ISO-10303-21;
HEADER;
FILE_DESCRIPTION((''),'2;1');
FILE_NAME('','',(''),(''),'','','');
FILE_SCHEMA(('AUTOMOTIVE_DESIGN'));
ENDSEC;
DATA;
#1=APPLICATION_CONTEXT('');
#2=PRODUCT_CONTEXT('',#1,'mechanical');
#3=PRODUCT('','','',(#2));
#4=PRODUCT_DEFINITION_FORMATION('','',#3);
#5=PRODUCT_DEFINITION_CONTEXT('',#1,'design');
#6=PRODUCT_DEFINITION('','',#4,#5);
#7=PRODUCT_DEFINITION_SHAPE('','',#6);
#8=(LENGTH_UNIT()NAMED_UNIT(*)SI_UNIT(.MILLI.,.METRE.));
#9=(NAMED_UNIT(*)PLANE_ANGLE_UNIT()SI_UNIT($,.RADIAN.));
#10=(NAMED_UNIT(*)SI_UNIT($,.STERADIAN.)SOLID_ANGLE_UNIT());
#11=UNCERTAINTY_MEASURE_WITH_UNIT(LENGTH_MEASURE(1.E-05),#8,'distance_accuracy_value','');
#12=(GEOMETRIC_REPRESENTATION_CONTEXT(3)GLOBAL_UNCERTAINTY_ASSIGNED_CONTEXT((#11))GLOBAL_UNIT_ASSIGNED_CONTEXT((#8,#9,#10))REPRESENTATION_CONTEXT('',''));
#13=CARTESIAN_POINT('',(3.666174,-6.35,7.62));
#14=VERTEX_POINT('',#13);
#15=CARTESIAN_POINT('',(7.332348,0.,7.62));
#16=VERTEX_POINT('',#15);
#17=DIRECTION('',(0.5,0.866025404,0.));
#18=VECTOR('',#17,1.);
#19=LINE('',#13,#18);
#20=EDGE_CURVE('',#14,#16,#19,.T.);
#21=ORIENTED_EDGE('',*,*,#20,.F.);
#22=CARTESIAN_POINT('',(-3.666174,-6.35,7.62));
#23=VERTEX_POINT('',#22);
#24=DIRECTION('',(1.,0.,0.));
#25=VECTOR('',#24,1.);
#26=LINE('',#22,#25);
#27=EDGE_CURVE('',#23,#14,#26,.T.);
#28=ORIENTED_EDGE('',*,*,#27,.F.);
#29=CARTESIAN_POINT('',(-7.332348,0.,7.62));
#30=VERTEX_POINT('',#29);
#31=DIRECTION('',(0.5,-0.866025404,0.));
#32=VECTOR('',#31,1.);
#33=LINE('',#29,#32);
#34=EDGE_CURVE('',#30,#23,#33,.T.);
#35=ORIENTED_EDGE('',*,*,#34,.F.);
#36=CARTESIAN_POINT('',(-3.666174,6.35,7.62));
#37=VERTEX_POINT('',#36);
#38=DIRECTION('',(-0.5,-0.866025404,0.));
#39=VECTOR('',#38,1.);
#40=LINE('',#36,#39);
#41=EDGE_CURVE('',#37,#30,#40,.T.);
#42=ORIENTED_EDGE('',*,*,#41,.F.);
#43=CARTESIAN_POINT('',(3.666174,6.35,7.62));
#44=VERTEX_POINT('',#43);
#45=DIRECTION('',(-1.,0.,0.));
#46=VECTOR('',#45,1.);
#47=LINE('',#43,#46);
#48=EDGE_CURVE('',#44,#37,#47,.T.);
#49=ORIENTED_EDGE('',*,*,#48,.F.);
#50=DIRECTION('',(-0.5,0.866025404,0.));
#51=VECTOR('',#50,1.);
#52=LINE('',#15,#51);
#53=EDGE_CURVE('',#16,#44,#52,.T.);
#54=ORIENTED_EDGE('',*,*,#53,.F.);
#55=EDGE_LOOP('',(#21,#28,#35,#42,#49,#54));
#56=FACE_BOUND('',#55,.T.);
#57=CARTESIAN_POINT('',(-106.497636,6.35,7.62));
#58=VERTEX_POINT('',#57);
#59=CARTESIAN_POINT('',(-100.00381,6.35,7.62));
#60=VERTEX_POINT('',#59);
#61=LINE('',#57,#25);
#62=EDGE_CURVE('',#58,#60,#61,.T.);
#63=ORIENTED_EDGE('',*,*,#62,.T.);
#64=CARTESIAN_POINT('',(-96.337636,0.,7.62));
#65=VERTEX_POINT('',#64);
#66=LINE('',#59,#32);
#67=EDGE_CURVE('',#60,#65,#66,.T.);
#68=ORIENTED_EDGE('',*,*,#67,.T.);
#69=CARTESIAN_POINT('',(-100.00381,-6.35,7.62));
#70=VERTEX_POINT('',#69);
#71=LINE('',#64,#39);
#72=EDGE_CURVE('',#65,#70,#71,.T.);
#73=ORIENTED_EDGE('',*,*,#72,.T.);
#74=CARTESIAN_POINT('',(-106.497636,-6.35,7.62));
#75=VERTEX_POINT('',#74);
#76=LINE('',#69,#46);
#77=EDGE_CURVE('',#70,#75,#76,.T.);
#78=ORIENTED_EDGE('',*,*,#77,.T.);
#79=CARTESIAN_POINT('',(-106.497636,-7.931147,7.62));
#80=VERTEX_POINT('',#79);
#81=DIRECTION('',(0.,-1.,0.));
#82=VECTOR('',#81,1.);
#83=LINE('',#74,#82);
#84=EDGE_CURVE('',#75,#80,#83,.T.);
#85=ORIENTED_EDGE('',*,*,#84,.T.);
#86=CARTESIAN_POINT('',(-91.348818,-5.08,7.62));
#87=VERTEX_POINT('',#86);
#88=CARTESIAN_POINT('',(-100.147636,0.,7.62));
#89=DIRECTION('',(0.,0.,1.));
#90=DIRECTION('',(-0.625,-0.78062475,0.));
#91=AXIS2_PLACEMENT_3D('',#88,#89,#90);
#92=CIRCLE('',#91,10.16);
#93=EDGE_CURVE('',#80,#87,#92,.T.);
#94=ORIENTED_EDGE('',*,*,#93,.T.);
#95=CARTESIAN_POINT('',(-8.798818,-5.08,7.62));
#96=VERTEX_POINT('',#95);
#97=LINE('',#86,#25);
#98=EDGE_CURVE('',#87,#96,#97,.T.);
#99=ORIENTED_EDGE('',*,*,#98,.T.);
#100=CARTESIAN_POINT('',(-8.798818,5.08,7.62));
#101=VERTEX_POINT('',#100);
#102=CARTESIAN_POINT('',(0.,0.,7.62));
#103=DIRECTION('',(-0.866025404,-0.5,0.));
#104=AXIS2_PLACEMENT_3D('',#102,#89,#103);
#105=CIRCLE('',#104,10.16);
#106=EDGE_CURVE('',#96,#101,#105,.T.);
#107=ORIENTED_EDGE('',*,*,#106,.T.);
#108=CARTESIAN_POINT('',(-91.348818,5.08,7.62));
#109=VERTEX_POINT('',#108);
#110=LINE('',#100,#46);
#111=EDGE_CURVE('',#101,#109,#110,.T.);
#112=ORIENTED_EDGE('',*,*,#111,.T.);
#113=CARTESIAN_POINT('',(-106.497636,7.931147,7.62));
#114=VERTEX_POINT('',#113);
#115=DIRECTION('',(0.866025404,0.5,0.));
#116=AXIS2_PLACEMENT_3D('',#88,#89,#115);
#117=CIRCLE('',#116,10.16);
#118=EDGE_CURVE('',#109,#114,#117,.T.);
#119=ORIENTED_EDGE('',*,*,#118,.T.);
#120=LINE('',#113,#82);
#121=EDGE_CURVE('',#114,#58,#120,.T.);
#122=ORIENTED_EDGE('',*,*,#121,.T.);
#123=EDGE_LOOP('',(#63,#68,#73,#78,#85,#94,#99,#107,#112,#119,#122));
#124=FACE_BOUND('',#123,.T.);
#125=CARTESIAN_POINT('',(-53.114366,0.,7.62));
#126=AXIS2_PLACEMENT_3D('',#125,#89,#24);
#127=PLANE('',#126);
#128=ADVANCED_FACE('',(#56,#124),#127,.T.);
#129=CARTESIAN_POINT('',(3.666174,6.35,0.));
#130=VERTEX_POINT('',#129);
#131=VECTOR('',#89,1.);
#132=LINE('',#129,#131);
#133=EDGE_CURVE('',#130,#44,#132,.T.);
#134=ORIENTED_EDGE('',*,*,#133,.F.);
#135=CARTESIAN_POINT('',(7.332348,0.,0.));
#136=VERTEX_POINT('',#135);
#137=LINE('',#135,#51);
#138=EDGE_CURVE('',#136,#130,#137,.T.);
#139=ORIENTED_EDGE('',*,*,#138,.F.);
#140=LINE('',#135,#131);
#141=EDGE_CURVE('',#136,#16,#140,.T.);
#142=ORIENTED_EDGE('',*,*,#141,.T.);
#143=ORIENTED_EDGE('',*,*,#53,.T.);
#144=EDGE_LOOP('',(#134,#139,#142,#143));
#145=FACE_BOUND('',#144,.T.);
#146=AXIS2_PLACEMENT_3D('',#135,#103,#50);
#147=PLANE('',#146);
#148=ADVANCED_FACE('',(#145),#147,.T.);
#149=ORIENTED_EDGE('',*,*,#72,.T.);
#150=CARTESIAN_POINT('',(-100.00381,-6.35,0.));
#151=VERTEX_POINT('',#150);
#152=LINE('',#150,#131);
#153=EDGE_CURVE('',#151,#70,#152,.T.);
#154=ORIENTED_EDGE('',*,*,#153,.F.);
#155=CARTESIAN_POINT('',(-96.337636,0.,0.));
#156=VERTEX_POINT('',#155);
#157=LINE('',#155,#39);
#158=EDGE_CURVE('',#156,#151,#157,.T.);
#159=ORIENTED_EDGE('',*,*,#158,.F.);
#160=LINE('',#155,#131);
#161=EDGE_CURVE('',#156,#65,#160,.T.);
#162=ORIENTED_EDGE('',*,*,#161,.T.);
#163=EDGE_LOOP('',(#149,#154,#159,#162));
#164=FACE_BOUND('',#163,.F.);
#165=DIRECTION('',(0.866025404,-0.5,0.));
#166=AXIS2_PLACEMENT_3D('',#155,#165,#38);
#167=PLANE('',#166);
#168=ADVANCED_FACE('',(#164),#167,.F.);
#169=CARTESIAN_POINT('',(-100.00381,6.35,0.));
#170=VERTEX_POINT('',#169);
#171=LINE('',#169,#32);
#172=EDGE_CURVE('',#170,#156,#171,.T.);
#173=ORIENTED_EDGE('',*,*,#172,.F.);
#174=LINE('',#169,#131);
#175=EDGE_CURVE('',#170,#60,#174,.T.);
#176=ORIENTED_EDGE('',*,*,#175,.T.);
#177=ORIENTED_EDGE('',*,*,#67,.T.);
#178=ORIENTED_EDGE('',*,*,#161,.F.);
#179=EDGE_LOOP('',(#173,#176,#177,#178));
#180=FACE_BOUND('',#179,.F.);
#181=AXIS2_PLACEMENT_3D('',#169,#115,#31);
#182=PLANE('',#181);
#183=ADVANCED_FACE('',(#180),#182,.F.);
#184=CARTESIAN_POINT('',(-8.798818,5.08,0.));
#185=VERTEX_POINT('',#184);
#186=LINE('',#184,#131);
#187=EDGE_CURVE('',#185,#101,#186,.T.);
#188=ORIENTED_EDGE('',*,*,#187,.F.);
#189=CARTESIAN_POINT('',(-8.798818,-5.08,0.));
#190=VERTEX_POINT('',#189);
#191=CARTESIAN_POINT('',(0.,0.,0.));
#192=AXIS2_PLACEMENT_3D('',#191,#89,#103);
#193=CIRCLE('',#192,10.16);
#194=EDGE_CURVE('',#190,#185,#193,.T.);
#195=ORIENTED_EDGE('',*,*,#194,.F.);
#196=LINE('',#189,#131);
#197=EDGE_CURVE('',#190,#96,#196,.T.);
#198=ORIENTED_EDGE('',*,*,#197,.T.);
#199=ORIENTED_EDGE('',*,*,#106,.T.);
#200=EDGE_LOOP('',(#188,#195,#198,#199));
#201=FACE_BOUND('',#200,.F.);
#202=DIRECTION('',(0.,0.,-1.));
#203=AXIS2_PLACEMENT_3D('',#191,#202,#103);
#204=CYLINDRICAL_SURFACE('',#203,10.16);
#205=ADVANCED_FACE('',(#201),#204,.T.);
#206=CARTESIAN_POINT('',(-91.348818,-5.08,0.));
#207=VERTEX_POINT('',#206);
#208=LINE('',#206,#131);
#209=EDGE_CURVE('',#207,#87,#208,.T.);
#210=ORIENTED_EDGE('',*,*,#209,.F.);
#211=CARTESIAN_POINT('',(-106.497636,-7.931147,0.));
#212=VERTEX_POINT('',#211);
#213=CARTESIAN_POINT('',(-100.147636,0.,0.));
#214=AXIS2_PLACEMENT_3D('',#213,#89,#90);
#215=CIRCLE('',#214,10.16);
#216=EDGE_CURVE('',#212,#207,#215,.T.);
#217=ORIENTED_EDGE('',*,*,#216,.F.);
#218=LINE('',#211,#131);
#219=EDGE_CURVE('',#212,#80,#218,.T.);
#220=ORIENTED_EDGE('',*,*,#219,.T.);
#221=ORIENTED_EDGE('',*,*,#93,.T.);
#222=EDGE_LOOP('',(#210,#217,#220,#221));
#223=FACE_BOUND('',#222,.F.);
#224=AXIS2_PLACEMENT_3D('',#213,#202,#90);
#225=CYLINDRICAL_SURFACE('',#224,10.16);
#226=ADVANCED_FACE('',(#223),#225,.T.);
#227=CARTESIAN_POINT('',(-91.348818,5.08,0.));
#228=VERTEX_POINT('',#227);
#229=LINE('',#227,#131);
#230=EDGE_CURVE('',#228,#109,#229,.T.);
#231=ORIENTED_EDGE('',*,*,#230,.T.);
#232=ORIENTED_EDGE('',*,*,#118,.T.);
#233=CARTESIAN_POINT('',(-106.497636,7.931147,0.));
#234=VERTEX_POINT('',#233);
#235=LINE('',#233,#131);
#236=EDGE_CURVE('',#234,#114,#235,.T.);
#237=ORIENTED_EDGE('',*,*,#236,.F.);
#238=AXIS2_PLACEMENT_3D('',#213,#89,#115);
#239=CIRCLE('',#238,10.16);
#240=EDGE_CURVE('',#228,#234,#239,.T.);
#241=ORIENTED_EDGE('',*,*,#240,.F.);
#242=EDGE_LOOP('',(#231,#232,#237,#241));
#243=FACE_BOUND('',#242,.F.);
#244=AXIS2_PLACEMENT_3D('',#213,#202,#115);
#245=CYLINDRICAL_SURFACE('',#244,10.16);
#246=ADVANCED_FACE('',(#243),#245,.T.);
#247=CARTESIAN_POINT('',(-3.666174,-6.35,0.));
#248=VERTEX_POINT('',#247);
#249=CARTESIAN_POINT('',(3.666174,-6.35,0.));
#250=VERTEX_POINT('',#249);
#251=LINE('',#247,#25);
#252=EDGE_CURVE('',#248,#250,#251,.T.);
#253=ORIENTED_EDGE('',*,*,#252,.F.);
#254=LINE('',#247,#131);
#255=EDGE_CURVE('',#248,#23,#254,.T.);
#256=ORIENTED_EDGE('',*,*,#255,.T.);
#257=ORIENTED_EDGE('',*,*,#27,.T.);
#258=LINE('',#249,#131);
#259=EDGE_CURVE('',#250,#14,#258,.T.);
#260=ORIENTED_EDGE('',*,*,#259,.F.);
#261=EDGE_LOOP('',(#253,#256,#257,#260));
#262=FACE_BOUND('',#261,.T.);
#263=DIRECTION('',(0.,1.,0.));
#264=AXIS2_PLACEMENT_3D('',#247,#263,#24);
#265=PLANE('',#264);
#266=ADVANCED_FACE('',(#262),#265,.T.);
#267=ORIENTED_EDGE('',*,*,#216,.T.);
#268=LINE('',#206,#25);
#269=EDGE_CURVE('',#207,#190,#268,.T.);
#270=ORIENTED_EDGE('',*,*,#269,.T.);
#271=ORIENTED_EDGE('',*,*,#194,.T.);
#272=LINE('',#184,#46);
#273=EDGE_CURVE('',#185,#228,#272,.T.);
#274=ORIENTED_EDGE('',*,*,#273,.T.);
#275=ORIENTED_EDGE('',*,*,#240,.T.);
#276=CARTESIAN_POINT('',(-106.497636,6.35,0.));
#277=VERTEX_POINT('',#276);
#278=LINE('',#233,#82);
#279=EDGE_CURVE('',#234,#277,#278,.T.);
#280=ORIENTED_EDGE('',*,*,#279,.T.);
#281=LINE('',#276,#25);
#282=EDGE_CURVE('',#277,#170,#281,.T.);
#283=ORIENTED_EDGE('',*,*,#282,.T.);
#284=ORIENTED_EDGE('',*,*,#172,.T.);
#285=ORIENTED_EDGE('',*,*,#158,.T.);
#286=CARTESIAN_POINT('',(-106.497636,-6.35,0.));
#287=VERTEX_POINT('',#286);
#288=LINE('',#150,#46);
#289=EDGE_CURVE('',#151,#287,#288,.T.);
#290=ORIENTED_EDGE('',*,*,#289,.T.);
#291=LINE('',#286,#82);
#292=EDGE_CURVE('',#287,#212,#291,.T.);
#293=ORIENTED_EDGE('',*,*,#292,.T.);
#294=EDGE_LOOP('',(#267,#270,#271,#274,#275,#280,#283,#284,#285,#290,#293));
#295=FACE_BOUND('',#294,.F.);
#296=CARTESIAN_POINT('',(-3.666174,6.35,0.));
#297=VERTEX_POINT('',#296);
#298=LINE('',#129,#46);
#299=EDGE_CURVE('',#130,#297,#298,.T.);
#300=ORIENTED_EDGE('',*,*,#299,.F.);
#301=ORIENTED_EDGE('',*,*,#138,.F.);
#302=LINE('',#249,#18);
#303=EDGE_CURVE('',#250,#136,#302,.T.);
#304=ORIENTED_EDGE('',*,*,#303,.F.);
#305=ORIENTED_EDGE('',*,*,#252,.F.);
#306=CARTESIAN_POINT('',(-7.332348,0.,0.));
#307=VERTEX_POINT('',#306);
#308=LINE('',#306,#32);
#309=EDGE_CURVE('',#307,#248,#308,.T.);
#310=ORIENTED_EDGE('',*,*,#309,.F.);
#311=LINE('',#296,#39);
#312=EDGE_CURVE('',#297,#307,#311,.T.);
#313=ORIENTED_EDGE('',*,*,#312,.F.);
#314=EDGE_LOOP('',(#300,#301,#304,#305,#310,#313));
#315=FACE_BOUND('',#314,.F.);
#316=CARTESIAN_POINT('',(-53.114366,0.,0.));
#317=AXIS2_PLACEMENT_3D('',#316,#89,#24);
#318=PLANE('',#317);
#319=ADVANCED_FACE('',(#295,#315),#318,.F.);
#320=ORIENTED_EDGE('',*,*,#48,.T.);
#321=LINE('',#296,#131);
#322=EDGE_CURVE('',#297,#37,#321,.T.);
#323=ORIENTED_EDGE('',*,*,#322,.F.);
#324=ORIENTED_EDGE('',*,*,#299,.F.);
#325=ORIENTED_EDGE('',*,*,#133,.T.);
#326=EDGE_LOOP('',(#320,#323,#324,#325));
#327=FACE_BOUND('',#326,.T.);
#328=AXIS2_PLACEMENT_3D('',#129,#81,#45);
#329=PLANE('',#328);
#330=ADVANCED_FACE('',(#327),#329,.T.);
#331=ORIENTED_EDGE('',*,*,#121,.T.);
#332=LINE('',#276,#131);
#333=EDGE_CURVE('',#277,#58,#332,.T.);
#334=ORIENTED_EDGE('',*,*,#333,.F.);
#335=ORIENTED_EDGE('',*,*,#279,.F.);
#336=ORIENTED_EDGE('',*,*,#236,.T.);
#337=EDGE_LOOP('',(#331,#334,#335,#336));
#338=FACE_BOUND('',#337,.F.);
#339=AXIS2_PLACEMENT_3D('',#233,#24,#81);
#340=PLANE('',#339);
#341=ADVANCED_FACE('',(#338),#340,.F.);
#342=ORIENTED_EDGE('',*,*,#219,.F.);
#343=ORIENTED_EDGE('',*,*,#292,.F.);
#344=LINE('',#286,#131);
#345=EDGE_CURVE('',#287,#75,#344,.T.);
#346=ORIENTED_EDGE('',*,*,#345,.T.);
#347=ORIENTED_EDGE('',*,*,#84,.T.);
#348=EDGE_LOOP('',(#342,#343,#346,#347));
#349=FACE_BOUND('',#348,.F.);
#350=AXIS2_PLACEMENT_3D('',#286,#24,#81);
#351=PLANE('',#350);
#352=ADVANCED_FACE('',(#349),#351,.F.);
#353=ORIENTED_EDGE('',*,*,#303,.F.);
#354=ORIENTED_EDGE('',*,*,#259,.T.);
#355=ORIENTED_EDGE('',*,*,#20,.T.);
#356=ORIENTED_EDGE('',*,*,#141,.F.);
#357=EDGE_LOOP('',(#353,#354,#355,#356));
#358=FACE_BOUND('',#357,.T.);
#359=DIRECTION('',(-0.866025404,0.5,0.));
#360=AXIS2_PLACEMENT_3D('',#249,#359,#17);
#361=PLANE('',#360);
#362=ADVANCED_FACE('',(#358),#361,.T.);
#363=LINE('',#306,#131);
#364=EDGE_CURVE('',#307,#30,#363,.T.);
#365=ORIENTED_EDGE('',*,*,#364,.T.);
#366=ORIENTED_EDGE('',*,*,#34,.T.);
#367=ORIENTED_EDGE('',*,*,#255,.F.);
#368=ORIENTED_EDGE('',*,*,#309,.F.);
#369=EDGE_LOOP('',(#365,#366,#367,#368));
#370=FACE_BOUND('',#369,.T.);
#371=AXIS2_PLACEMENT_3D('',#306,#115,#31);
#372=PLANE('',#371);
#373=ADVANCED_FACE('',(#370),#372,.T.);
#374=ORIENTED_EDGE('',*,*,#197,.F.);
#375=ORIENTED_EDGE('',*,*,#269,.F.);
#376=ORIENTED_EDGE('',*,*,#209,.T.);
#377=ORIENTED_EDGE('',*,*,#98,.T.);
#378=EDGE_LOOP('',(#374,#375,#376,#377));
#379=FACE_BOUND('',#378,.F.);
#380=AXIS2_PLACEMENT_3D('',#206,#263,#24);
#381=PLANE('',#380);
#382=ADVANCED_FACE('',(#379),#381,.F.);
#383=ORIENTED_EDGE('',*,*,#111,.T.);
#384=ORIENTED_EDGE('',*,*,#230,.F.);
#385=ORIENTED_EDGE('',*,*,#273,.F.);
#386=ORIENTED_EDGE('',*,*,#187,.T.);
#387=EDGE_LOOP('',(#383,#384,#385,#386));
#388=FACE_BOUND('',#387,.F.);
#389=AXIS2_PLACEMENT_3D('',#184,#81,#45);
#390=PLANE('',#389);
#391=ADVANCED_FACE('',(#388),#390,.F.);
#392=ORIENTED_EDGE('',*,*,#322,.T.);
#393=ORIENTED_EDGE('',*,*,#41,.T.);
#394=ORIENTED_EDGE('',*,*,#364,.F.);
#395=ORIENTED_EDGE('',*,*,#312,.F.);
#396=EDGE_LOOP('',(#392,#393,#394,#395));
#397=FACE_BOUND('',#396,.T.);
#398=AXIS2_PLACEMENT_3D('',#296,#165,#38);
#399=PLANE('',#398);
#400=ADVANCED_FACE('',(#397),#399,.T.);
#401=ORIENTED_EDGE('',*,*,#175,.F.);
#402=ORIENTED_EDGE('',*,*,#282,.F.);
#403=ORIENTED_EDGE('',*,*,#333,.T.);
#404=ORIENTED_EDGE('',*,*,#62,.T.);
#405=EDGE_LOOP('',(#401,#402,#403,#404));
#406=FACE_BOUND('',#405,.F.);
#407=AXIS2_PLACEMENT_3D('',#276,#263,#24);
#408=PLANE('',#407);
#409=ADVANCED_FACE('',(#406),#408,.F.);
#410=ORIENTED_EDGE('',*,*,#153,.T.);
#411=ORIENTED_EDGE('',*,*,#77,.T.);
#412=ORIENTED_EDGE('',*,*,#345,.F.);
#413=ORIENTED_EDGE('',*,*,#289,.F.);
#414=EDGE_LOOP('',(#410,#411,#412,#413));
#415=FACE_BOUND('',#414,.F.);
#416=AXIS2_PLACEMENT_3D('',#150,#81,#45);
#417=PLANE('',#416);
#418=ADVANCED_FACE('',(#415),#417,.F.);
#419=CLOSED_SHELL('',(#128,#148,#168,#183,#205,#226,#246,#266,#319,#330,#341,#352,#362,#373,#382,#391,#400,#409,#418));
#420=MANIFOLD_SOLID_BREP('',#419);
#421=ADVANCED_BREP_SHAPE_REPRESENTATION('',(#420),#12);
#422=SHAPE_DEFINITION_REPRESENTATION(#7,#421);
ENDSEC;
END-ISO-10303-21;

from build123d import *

# Parameters (mm, degrees)
BOSS_EXTRUDE1_DEPTH = 7.62


with BuildPart() as part:
    # Sketch3 → Boss-Extrude1 (new body)
    with BuildSketch(Plane.XY):
        with BuildLine():
            Line((-8.798818102, 5.08), (-91.348818102, 5.08))
            ThreePointArc((-91.348818102, 5.08), (-98.268424141, 9.984696391), (-106.497636205, 7.931147458))
            Line((-106.497636205, 7.931147458), (-106.497636205, 6.35))
            Line((-106.497636205, 6.35), (-100.003810414, 6.35))
            Line((-100.003810414, 6.35), (-96.337636205, 0))
            Line((-96.337636205, 0), (-100.003810414, -6.35))
            Line((-100.003810414, -6.35), (-106.497636205, -6.35))
            Line((-106.497636205, -6.35), (-106.497636205, -7.931147458))
            ThreePointArc((-106.497636205, -7.931147458), (-98.268424141, -9.984696391), (-91.348818102, -5.08))
            Line((-91.348818102, -5.08), (-8.798818102, -5.08))
            ThreePointArc((-8.798818102, -5.08), (10.16, 0), (-8.798818102, 5.08))
        make_face()
        Polygon((7.332348419, 0), (3.666174209, 6.35), (-3.666174209, 6.35), (-7.332348419, 0), (-3.666174209, -6.35), (3.666174209, -6.35), align=None, mode=Mode.SUBTRACT)
    extrude(amount=BOSS_EXTRUDE1_DEPTH)


solid = part.part
